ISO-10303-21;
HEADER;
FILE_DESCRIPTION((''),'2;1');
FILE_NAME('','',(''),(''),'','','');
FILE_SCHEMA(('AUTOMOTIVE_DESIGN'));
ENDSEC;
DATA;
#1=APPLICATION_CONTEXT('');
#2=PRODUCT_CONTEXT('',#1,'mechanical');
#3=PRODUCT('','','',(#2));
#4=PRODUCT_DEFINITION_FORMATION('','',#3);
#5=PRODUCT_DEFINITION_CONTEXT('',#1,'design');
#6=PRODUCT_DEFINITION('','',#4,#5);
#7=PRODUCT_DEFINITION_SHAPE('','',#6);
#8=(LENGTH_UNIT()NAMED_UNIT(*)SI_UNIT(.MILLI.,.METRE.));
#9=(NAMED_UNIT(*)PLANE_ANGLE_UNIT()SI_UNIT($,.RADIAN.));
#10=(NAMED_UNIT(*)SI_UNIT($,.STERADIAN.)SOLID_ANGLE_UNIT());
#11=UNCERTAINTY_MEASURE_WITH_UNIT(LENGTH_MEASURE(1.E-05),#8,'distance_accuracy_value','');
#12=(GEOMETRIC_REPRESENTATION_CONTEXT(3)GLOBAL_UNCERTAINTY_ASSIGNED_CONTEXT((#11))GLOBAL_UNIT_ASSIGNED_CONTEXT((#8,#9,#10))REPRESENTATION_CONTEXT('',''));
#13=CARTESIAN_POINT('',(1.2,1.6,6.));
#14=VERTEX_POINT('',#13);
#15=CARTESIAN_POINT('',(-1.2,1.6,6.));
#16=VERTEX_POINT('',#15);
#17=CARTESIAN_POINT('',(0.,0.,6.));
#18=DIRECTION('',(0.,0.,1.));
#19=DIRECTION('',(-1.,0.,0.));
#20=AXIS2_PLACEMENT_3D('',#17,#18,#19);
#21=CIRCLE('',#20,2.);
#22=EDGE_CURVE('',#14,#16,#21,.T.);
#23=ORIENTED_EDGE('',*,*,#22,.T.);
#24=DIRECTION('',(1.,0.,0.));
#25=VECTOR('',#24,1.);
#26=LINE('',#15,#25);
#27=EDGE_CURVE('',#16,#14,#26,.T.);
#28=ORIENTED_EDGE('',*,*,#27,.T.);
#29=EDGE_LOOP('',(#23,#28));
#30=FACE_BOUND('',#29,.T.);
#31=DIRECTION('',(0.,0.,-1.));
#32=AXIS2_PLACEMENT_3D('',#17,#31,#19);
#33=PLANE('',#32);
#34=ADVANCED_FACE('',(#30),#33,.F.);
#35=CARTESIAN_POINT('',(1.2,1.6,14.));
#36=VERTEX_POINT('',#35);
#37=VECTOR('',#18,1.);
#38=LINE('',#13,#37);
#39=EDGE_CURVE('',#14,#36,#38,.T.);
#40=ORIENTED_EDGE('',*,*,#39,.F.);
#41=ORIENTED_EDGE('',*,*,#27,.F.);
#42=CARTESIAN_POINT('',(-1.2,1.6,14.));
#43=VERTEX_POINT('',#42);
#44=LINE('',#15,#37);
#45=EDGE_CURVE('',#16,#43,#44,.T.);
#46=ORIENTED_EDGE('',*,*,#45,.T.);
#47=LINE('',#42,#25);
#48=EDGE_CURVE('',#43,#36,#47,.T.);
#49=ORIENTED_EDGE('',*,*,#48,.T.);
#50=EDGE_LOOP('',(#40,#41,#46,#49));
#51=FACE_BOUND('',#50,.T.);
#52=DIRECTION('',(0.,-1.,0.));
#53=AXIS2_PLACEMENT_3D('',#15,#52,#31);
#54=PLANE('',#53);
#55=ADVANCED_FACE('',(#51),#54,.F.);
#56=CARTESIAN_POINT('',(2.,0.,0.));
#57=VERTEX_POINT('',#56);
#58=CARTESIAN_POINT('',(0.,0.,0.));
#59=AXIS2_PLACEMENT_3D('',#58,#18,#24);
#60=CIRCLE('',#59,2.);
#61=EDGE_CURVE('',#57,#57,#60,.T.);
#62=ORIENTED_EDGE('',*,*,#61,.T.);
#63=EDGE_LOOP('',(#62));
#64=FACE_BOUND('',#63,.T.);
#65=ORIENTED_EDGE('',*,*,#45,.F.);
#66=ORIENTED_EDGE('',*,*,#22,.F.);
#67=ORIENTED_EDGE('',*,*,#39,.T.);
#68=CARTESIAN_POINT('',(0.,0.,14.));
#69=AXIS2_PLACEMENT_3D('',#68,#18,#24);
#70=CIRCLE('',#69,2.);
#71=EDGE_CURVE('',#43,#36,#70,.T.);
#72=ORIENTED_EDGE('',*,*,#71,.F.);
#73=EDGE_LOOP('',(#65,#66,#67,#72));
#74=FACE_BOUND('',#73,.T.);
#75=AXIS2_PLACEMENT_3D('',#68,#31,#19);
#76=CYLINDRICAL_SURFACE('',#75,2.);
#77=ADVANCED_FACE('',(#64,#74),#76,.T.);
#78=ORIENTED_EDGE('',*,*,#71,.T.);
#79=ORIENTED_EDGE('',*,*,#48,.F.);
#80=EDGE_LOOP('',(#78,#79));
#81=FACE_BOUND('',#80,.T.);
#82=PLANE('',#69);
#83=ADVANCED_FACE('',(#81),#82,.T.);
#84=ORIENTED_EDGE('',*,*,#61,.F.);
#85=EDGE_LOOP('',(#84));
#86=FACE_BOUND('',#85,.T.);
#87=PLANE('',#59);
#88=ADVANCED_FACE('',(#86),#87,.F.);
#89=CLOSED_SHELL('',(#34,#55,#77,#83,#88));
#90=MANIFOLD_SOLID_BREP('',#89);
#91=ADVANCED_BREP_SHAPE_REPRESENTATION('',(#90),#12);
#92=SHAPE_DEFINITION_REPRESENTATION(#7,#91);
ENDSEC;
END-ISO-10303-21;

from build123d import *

# Parameters (mm, degrees)
SKETCH1_R           = 2
BOSS_EXTRUDE1_DEPTH = 14
CUT_EXTRUDE1_START  = -8
CUT_EXTRUDE1_DEPTH  = 8


with BuildPart() as part:
    # Sketch1 → Boss-Extrude1 (new body)
    with BuildSketch(Plane.XY):
        Circle(SKETCH1_R)
    extrude(amount=BOSS_EXTRUDE1_DEPTH)

    # Sketch2 → Cut-Extrude1 (cut)
    with BuildSketch(Plane.XY.offset(14).offset(CUT_EXTRUDE1_START)):
        with BuildLine():
            Line((-1.2, 1.6), (1.2, 1.6))
            ThreePointArc((1.2, 1.6), (0, 2), (-1.2, 1.6))
        make_face()
    extrude(amount=CUT_EXTRUDE1_DEPTH, mode=Mode.SUBTRACT)


solid = part.part
